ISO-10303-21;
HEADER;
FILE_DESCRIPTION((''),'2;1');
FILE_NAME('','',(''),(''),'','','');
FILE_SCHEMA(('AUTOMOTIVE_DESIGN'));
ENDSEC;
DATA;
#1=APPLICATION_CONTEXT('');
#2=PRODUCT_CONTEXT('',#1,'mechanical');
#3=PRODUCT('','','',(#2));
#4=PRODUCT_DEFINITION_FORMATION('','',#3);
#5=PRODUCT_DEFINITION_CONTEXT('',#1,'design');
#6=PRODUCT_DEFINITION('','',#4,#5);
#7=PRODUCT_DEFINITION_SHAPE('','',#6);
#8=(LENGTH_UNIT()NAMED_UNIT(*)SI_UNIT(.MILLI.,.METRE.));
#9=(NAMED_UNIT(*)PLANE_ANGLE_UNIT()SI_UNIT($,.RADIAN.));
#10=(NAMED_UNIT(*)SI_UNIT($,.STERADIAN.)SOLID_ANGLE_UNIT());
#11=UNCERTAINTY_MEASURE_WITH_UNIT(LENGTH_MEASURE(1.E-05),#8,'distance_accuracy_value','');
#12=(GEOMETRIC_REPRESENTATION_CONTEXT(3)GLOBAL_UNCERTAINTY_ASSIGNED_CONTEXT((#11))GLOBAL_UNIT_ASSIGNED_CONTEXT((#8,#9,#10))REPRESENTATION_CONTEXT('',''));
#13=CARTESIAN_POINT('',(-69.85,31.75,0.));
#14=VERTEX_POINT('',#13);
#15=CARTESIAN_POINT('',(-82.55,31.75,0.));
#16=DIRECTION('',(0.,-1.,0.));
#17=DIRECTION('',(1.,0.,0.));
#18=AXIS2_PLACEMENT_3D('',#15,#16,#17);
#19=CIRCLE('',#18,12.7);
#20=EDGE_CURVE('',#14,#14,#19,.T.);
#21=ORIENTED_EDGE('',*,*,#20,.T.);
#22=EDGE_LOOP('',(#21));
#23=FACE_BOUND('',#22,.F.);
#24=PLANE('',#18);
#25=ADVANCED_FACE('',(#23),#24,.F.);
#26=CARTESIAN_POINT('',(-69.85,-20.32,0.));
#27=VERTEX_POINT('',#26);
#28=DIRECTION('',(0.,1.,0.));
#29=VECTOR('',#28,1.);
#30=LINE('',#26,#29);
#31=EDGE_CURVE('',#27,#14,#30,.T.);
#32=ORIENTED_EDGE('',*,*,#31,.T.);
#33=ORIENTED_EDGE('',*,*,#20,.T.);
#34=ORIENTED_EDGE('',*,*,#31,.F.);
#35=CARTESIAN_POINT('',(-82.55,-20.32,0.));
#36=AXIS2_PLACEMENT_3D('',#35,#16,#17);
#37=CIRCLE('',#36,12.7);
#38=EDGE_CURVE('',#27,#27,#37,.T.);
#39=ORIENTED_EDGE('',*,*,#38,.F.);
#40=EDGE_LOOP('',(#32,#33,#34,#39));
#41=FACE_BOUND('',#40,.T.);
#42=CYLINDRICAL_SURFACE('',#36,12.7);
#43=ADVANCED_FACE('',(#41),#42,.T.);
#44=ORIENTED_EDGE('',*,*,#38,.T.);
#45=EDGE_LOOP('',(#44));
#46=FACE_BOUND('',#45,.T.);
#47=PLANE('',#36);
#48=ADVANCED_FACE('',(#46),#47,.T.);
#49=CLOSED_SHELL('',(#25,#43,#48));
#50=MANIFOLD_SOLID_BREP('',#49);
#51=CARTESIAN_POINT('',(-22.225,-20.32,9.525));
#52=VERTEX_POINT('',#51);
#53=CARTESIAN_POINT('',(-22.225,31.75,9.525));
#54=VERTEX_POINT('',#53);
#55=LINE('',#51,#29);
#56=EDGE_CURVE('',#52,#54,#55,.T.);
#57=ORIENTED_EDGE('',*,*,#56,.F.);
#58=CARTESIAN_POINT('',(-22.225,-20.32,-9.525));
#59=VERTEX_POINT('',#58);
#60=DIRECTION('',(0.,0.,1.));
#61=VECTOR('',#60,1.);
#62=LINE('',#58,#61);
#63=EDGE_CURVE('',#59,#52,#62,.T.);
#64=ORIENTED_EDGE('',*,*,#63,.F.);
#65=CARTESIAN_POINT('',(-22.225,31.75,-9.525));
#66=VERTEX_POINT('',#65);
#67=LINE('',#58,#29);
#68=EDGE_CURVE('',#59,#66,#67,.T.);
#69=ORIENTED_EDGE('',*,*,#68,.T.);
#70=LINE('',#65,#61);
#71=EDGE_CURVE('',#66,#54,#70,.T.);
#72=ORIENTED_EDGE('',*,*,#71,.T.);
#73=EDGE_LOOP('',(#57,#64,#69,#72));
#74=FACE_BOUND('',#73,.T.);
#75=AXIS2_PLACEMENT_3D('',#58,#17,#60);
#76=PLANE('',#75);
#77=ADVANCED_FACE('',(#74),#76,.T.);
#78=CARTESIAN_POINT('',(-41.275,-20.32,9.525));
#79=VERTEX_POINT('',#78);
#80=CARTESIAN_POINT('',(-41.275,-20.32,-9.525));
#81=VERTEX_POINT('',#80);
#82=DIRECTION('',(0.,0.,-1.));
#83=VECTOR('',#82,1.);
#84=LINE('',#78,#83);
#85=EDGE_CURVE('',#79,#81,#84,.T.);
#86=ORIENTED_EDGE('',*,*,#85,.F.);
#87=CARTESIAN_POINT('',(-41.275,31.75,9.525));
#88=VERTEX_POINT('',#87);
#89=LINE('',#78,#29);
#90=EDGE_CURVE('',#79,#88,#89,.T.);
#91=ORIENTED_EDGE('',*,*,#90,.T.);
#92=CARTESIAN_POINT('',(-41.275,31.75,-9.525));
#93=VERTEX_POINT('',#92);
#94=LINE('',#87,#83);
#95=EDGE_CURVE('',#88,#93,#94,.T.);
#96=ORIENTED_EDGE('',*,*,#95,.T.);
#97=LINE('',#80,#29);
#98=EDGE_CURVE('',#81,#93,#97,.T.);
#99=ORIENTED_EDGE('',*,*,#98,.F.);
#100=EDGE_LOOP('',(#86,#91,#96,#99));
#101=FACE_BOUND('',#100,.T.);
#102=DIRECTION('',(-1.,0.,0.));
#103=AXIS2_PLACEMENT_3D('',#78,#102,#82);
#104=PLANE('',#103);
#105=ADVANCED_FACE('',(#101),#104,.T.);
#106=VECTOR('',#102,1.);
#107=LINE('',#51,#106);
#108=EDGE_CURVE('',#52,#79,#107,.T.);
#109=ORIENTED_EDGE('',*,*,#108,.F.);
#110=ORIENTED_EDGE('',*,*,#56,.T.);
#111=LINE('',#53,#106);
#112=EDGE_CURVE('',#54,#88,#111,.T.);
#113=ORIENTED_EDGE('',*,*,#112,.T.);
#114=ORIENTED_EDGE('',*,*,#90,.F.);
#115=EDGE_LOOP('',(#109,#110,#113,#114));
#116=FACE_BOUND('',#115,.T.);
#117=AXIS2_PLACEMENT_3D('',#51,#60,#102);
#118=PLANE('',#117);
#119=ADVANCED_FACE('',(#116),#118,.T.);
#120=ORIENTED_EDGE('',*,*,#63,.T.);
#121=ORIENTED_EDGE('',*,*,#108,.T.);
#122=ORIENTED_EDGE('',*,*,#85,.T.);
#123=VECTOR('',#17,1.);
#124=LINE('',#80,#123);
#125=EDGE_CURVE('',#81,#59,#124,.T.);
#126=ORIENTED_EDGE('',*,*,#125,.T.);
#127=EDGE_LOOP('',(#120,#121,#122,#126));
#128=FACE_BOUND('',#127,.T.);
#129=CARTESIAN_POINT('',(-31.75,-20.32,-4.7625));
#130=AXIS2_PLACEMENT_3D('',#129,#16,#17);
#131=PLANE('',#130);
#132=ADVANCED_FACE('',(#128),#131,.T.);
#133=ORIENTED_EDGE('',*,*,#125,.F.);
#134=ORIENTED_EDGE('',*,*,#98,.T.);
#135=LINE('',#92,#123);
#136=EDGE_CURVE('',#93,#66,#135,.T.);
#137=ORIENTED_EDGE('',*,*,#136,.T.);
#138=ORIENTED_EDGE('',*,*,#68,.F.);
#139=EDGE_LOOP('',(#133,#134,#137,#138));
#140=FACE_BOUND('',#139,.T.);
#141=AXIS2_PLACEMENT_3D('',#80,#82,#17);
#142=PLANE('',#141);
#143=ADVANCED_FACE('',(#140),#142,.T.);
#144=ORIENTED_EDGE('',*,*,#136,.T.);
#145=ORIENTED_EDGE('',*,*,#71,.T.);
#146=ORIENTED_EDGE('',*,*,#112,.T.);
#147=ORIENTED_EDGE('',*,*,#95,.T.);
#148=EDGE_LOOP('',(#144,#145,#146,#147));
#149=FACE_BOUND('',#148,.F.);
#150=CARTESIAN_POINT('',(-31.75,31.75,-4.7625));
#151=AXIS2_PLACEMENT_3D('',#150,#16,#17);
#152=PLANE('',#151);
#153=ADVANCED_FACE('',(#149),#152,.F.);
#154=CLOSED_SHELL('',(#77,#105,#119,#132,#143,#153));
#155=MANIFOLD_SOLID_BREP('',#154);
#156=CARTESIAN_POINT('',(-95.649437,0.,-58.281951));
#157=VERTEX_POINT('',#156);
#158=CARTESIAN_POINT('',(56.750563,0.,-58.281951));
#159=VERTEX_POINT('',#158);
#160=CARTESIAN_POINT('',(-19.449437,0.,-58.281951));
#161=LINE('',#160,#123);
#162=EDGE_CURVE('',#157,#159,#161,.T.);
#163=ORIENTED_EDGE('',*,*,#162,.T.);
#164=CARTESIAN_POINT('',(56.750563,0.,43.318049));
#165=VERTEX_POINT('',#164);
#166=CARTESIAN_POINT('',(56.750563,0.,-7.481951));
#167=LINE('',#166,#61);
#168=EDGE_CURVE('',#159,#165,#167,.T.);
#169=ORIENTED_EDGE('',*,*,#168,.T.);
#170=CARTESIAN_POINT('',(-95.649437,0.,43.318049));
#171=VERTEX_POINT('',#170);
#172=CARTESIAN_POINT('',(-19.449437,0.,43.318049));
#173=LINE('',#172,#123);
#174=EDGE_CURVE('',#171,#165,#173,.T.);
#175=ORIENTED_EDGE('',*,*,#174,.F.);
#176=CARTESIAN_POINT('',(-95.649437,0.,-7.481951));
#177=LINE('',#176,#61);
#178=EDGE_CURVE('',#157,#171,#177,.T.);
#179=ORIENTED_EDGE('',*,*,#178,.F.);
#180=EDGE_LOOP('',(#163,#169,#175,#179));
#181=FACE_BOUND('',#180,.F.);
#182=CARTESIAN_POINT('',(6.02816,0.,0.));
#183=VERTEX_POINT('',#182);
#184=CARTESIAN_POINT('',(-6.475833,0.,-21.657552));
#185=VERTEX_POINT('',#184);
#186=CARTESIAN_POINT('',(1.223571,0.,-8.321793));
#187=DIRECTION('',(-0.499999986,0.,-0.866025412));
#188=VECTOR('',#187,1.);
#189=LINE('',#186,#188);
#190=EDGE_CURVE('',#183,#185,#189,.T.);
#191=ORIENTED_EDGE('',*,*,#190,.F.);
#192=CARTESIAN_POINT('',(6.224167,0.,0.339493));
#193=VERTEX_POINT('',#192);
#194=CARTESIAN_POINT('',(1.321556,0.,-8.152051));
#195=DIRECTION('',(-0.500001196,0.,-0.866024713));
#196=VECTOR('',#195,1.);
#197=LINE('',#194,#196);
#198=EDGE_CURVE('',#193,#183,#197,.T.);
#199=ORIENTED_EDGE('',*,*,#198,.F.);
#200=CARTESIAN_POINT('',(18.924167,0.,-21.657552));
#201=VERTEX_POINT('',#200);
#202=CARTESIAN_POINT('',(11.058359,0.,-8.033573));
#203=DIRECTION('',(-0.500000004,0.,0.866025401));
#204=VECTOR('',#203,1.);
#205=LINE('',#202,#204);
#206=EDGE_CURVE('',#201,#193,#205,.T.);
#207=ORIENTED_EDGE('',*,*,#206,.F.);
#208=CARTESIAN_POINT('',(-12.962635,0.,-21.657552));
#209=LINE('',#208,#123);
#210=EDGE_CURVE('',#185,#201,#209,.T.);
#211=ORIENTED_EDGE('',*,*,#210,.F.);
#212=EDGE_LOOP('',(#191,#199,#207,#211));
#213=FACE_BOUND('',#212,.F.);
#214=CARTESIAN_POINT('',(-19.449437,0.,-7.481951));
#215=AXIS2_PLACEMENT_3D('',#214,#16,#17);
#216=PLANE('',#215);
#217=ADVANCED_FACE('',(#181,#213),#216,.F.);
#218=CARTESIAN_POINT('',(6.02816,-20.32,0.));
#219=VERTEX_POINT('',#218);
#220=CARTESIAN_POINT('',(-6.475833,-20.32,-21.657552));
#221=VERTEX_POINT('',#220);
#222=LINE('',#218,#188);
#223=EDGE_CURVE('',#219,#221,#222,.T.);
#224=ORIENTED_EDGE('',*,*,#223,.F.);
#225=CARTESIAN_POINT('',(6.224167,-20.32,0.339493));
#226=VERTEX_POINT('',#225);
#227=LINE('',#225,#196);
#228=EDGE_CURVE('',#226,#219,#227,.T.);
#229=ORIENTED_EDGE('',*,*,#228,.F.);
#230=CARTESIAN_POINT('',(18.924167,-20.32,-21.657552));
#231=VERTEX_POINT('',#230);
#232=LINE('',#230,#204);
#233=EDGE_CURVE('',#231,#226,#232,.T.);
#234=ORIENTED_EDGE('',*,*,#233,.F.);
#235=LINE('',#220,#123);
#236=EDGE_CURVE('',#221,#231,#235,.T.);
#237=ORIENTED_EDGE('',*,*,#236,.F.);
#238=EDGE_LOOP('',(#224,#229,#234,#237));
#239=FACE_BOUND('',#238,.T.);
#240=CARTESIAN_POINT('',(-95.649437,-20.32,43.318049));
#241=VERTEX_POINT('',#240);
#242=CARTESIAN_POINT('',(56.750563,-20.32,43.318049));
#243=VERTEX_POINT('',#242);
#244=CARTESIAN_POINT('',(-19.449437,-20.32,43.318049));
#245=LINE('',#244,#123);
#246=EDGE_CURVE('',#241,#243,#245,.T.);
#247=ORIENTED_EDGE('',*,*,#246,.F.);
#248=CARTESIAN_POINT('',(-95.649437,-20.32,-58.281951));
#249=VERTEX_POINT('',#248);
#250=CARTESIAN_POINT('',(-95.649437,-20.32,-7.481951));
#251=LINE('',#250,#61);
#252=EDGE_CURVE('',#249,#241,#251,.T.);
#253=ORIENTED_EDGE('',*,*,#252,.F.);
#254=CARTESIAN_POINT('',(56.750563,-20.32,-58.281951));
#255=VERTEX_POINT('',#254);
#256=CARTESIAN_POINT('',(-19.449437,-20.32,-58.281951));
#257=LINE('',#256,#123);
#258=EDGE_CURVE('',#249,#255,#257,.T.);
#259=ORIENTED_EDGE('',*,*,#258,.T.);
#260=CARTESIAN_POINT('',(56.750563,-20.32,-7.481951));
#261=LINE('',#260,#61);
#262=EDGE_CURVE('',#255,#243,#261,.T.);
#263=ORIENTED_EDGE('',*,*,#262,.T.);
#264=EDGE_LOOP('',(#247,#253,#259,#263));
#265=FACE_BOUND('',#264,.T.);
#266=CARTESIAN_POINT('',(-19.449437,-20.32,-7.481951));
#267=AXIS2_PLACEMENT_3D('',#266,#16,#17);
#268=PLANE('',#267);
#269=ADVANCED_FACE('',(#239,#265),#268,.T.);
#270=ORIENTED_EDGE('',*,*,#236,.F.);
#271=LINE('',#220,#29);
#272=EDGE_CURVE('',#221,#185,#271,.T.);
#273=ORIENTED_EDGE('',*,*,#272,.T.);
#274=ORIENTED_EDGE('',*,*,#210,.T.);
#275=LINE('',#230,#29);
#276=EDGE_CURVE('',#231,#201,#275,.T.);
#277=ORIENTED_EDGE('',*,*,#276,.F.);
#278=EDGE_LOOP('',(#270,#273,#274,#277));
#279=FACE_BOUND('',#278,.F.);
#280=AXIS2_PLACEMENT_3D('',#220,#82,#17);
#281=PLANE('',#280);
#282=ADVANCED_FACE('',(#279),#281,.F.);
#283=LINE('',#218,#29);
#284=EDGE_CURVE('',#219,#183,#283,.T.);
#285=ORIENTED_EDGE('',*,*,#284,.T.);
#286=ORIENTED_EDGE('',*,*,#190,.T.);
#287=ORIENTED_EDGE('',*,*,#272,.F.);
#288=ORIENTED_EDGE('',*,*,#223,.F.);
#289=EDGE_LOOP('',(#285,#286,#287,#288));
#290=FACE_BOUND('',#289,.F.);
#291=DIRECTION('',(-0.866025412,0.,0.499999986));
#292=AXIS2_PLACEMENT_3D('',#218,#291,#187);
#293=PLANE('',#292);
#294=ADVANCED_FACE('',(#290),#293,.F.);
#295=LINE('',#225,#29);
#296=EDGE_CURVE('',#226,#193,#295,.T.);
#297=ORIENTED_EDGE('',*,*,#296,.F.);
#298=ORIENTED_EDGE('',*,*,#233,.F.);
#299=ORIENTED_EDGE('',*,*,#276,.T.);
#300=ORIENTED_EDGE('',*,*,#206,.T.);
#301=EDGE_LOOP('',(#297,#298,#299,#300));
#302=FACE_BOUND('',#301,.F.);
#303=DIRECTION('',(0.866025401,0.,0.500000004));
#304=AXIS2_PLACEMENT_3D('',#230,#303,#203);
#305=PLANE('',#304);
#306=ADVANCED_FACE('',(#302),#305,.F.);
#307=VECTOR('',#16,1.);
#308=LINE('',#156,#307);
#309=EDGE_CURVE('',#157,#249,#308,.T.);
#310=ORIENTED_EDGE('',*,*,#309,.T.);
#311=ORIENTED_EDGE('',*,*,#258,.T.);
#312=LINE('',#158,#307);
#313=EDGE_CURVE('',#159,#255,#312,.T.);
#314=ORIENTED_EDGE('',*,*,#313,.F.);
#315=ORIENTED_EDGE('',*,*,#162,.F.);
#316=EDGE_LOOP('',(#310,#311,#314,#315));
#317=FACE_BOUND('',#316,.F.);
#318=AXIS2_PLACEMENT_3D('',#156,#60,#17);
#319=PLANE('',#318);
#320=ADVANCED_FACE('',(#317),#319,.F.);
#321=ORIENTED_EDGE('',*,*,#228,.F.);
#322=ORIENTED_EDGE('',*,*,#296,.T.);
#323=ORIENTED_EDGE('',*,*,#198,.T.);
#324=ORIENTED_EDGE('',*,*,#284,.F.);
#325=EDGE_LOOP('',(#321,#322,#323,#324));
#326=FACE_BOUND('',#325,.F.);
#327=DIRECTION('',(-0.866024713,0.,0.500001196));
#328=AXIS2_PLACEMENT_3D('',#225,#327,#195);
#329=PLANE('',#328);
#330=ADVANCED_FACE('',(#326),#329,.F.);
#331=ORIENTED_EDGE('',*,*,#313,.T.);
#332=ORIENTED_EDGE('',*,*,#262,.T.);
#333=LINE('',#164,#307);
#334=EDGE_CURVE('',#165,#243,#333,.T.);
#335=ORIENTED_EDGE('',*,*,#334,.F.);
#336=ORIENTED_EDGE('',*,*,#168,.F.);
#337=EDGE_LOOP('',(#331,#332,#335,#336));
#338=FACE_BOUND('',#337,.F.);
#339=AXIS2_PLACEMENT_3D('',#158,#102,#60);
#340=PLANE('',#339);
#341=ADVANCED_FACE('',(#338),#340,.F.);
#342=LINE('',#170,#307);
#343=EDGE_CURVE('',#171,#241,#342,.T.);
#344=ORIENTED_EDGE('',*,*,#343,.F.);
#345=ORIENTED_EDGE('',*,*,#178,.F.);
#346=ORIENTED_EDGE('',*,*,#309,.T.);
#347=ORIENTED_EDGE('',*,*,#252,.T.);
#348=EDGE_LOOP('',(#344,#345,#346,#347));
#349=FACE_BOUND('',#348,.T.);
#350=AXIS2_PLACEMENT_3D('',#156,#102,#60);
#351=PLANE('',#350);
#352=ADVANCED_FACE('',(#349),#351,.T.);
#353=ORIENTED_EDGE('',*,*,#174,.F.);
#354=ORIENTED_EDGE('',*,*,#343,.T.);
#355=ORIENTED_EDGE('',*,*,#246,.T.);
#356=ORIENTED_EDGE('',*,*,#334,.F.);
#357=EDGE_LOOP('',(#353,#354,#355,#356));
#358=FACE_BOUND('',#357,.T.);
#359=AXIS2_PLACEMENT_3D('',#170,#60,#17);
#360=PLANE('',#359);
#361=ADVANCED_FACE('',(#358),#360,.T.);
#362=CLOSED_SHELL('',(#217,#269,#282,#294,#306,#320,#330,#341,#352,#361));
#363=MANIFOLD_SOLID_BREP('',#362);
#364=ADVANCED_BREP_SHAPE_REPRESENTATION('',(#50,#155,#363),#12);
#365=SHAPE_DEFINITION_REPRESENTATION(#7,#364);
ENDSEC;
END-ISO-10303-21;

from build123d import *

# Parameters (mm, degrees)
F0_W     = 152.4
F0_H     = 101.6
F1_DEPTH = 20.32
F2_R     = 12.7
F3_DEPTH = 52.07
F4_DEPTH = 25.4


with BuildPart() as f1:
    # F0 (on Front) → F1 (new body)
    with BuildSketch(Plane.XZ):
        with Locations((-19.449437, -7.481951)):
            Rectangle(F0_W, F0_H)
    extrude(amount=F1_DEPTH)

    # F2 (on face) → F4 (cut)
    with BuildSketch(Plane.XZ.offset(20.32)):
        Polygon((6.224167, 0.339493), (6.02816, 0), (-6.475833, -21.657552), (18.924167, -21.657552), align=None)
    extrude(amount=-F4_DEPTH, mode=Mode.SUBTRACT)


with BuildPart() as f3:
    # F2 (on face) → F3 (new body)
    with BuildSketch(Plane.XZ.offset(20.32)):
        with Locations((-82.55, 0)):
            Circle(F2_R)
        Polygon((-22.225, -9.525), (-22.225, 0), (-31.75, 0), (-41.275, 0), (-41.275, -9.525), align=None)
        Polygon((-31.75, 0), (-22.225, 0), (-22.225, 9.525), (-41.275, 9.525), (-41.275, 0), align=None)
    extrude(amount=-F3_DEPTH)


solid = Compound([f1.part, f3.part])
